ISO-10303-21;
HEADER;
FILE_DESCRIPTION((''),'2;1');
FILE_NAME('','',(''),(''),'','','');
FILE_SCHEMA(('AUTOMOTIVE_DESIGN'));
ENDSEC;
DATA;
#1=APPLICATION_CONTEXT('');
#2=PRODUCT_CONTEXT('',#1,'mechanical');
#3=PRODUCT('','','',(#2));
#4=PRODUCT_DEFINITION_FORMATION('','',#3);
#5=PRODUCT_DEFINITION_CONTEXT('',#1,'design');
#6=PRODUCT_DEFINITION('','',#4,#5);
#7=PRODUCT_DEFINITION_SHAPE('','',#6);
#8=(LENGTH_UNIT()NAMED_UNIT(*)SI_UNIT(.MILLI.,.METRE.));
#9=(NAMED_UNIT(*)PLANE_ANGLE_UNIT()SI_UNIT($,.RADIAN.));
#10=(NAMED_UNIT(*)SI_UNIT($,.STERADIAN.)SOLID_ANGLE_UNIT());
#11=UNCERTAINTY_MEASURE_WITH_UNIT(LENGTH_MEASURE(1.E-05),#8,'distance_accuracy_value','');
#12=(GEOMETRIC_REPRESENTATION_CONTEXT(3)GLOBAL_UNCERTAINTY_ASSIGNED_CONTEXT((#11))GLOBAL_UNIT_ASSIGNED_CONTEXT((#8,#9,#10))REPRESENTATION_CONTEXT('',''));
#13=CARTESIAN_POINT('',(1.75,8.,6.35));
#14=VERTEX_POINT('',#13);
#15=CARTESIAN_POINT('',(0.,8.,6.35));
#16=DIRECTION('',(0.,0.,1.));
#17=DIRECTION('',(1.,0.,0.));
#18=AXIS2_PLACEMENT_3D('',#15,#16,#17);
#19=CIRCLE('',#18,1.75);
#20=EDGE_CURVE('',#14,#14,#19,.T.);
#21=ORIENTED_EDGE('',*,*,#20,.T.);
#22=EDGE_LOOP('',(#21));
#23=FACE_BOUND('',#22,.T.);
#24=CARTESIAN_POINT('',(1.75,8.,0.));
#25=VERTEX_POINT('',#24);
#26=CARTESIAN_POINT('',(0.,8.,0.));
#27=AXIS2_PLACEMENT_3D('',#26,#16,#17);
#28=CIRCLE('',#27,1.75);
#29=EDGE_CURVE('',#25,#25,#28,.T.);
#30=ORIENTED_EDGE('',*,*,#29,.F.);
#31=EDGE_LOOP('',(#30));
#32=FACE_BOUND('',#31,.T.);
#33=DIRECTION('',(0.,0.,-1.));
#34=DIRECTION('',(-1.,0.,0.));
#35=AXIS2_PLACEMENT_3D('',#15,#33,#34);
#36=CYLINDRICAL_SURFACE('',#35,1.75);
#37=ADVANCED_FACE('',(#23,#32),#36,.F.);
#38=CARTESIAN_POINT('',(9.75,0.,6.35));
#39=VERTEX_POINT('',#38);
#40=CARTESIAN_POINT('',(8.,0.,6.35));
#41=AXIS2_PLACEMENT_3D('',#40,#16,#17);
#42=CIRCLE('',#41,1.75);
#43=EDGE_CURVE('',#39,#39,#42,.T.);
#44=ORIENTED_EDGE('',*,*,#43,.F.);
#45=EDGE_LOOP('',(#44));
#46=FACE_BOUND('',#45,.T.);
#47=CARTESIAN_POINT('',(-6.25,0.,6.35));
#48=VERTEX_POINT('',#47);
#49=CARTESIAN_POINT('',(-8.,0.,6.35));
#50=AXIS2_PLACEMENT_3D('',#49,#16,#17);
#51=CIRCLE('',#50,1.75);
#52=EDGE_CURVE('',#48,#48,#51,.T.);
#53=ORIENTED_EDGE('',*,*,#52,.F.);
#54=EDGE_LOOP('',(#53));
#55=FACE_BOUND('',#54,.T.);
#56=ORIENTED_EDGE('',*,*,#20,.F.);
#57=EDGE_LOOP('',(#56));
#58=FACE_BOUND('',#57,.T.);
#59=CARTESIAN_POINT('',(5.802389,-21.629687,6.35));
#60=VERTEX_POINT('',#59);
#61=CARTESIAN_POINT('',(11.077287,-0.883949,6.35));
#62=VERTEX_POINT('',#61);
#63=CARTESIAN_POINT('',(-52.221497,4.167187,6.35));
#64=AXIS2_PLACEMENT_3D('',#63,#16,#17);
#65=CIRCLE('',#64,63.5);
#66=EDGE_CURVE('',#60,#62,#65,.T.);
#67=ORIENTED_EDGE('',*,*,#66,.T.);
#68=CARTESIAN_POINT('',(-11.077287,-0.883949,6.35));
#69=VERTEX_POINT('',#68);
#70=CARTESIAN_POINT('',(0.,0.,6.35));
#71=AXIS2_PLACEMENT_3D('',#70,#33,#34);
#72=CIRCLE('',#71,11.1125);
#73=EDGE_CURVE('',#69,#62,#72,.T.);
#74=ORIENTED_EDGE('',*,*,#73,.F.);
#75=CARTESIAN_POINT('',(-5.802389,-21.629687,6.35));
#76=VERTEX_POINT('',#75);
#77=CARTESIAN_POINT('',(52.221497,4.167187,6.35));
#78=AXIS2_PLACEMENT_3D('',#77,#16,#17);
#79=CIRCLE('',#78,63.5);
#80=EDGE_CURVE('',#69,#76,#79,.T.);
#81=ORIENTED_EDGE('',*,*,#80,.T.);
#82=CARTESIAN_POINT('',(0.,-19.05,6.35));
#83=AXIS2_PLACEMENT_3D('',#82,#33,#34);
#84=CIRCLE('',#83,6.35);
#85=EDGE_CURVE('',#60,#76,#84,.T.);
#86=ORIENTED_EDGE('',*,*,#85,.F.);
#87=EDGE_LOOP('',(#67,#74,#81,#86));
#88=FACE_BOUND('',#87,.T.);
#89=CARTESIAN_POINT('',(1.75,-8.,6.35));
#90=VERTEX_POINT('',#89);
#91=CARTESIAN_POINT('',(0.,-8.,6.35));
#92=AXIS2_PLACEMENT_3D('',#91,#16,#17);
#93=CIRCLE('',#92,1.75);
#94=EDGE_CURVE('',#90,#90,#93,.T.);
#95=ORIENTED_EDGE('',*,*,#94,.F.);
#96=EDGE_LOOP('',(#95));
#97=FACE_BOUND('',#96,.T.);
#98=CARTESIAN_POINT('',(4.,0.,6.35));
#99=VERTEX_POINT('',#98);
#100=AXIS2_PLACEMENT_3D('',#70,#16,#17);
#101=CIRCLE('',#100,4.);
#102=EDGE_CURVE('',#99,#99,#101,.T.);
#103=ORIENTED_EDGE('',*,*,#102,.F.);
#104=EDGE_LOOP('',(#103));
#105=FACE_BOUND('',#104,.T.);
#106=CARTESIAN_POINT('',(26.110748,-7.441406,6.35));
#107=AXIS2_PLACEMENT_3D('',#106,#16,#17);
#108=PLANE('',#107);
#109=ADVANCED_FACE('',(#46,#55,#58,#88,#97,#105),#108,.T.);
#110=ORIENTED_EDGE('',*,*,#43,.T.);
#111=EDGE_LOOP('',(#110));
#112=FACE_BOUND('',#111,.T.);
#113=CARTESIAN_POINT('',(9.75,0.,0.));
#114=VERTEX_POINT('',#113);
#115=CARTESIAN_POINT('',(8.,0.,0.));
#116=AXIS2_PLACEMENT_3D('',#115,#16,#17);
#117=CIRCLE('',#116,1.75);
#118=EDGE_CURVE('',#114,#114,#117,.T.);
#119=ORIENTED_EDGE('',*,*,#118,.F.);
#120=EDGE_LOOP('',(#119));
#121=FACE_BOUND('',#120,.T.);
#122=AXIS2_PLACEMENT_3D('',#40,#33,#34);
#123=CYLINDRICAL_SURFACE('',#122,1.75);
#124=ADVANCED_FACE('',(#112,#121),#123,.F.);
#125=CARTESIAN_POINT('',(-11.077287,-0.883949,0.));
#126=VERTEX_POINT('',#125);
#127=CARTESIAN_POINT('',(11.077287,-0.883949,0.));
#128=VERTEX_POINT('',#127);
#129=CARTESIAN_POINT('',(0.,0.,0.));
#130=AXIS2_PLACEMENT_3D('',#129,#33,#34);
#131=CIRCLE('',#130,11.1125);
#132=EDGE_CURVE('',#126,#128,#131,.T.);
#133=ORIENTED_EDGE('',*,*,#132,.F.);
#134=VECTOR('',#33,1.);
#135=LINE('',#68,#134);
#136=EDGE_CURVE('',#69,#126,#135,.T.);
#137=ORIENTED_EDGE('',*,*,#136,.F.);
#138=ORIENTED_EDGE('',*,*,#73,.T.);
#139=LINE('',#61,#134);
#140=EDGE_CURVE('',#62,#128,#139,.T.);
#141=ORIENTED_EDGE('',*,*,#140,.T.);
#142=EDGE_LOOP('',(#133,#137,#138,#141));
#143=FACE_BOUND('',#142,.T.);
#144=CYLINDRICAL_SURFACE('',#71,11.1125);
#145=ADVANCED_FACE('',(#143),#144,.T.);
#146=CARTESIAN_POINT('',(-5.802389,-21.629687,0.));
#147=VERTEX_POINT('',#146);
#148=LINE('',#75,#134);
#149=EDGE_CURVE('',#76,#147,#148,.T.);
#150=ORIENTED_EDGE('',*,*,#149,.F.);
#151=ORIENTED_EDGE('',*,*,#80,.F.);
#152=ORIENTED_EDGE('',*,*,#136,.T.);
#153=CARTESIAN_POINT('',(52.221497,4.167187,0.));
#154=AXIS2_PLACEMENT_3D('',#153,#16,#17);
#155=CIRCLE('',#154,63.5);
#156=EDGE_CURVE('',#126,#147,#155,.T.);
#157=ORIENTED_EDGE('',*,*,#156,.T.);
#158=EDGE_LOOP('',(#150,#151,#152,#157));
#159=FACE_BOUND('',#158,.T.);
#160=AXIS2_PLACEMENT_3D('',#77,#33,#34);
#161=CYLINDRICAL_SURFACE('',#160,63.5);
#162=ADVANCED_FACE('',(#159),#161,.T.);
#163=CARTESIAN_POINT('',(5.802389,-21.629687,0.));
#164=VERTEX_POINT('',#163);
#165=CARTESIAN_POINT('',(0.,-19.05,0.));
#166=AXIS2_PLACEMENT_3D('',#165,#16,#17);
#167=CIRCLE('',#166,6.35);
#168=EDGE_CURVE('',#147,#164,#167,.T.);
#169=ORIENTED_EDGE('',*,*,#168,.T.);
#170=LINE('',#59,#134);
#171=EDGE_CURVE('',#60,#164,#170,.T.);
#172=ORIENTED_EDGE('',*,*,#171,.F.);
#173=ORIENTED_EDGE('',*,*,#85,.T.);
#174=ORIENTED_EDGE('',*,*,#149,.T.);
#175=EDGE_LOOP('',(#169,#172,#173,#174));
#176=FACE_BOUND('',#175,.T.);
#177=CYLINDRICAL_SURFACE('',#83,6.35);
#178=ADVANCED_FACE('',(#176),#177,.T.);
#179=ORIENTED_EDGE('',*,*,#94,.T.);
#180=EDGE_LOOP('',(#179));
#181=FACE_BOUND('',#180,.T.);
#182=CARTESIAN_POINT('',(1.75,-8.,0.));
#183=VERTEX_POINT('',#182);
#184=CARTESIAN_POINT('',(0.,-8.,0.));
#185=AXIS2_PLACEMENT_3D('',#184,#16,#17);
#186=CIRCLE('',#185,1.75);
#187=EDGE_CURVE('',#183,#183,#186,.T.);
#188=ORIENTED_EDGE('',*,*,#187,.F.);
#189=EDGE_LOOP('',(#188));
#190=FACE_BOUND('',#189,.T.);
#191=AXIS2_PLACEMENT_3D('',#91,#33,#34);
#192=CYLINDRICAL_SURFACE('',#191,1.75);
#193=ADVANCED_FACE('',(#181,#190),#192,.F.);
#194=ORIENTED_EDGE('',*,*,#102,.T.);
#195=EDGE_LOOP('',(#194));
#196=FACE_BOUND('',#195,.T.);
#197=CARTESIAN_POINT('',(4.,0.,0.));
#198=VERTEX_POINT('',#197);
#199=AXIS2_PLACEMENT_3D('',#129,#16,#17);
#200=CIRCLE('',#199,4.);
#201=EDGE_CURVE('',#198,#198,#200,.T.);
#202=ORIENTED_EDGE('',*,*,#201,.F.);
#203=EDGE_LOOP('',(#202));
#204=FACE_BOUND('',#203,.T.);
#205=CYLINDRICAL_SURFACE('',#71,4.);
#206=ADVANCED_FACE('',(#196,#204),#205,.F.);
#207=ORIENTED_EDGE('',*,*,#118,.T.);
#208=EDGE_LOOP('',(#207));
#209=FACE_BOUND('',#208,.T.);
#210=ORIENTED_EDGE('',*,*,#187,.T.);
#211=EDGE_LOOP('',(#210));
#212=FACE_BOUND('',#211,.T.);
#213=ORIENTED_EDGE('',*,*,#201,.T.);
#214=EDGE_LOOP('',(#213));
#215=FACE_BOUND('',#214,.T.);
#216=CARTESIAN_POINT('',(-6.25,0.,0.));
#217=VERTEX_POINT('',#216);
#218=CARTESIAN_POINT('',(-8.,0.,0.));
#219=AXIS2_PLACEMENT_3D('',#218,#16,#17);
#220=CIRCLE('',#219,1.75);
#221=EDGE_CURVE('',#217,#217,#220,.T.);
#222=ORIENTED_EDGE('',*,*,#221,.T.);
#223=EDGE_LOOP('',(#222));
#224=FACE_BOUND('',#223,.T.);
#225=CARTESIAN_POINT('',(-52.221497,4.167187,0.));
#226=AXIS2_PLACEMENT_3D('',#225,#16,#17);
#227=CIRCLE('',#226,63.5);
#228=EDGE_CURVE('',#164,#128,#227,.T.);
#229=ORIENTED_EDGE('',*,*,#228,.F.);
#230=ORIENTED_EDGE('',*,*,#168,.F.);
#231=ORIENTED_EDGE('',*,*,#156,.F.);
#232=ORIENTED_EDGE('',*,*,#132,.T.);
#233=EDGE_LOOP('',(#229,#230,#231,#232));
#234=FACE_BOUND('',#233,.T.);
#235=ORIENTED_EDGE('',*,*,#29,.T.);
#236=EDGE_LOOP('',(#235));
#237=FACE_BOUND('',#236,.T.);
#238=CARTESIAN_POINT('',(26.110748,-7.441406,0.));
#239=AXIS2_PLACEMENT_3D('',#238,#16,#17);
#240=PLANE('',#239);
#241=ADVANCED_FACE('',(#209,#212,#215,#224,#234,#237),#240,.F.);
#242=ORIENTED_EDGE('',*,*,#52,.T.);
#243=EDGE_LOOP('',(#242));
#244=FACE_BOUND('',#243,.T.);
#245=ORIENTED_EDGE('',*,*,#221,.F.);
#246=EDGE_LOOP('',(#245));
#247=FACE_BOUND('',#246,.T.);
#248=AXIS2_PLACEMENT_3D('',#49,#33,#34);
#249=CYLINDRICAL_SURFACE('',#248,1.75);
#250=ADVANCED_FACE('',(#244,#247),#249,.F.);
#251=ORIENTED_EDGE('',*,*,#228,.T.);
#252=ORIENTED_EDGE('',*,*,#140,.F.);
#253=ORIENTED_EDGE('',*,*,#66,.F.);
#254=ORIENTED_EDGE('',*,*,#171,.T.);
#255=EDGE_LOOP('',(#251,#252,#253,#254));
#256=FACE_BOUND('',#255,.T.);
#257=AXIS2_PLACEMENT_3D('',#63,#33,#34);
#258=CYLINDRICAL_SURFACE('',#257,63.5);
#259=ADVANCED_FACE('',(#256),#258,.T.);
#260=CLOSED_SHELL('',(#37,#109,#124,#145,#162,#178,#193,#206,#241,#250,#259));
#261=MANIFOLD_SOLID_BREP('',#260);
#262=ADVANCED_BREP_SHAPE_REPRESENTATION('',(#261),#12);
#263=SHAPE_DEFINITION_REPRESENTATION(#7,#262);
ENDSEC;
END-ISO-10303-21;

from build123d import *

# Parameters (mm, degrees)
SKETCH1_R           = 4
SKETCH1_R_2         = 1.75
BOSS_EXTRUDE1_DEPTH = 6.35


with BuildPart() as part:
    # Sketch1 → Boss-Extrude1 (new body)
    with BuildSketch(Plane.XY):
        with BuildLine():
            ThreePointArc((-11.077287152, -0.883948864), (0, 11.1125), (11.077287152, -0.883948864))
            ThreePointArc((11.077287152, -0.883948864), (9.32030962, -11.480690637), (5.802388508, -21.6296875))
            ThreePointArc((5.802388508, -21.6296875), (3.459876036, -24.374636871), (0, -25.4))
            ThreePointArc((0, -25.4), (-3.459876036, -24.374636871), (-5.802388508, -21.6296875))
            ThreePointArc((-5.802388508, -21.6296875), (-9.32030962, -11.480690637), (-11.077287152, -0.883948864))
        make_face()
        Circle(SKETCH1_R, mode=Mode.SUBTRACT)
        with Locations((8, 0)):
            Circle(SKETCH1_R_2, mode=Mode.SUBTRACT)
        with Locations((0, -8)):
            Circle(SKETCH1_R_2, mode=Mode.SUBTRACT)
        with Locations((-8, 0)):
            Circle(SKETCH1_R_2, mode=Mode.SUBTRACT)
        with Locations((0, 8)):
            Circle(SKETCH1_R_2, mode=Mode.SUBTRACT)
    extrude(amount=BOSS_EXTRUDE1_DEPTH)


solid = part.part
